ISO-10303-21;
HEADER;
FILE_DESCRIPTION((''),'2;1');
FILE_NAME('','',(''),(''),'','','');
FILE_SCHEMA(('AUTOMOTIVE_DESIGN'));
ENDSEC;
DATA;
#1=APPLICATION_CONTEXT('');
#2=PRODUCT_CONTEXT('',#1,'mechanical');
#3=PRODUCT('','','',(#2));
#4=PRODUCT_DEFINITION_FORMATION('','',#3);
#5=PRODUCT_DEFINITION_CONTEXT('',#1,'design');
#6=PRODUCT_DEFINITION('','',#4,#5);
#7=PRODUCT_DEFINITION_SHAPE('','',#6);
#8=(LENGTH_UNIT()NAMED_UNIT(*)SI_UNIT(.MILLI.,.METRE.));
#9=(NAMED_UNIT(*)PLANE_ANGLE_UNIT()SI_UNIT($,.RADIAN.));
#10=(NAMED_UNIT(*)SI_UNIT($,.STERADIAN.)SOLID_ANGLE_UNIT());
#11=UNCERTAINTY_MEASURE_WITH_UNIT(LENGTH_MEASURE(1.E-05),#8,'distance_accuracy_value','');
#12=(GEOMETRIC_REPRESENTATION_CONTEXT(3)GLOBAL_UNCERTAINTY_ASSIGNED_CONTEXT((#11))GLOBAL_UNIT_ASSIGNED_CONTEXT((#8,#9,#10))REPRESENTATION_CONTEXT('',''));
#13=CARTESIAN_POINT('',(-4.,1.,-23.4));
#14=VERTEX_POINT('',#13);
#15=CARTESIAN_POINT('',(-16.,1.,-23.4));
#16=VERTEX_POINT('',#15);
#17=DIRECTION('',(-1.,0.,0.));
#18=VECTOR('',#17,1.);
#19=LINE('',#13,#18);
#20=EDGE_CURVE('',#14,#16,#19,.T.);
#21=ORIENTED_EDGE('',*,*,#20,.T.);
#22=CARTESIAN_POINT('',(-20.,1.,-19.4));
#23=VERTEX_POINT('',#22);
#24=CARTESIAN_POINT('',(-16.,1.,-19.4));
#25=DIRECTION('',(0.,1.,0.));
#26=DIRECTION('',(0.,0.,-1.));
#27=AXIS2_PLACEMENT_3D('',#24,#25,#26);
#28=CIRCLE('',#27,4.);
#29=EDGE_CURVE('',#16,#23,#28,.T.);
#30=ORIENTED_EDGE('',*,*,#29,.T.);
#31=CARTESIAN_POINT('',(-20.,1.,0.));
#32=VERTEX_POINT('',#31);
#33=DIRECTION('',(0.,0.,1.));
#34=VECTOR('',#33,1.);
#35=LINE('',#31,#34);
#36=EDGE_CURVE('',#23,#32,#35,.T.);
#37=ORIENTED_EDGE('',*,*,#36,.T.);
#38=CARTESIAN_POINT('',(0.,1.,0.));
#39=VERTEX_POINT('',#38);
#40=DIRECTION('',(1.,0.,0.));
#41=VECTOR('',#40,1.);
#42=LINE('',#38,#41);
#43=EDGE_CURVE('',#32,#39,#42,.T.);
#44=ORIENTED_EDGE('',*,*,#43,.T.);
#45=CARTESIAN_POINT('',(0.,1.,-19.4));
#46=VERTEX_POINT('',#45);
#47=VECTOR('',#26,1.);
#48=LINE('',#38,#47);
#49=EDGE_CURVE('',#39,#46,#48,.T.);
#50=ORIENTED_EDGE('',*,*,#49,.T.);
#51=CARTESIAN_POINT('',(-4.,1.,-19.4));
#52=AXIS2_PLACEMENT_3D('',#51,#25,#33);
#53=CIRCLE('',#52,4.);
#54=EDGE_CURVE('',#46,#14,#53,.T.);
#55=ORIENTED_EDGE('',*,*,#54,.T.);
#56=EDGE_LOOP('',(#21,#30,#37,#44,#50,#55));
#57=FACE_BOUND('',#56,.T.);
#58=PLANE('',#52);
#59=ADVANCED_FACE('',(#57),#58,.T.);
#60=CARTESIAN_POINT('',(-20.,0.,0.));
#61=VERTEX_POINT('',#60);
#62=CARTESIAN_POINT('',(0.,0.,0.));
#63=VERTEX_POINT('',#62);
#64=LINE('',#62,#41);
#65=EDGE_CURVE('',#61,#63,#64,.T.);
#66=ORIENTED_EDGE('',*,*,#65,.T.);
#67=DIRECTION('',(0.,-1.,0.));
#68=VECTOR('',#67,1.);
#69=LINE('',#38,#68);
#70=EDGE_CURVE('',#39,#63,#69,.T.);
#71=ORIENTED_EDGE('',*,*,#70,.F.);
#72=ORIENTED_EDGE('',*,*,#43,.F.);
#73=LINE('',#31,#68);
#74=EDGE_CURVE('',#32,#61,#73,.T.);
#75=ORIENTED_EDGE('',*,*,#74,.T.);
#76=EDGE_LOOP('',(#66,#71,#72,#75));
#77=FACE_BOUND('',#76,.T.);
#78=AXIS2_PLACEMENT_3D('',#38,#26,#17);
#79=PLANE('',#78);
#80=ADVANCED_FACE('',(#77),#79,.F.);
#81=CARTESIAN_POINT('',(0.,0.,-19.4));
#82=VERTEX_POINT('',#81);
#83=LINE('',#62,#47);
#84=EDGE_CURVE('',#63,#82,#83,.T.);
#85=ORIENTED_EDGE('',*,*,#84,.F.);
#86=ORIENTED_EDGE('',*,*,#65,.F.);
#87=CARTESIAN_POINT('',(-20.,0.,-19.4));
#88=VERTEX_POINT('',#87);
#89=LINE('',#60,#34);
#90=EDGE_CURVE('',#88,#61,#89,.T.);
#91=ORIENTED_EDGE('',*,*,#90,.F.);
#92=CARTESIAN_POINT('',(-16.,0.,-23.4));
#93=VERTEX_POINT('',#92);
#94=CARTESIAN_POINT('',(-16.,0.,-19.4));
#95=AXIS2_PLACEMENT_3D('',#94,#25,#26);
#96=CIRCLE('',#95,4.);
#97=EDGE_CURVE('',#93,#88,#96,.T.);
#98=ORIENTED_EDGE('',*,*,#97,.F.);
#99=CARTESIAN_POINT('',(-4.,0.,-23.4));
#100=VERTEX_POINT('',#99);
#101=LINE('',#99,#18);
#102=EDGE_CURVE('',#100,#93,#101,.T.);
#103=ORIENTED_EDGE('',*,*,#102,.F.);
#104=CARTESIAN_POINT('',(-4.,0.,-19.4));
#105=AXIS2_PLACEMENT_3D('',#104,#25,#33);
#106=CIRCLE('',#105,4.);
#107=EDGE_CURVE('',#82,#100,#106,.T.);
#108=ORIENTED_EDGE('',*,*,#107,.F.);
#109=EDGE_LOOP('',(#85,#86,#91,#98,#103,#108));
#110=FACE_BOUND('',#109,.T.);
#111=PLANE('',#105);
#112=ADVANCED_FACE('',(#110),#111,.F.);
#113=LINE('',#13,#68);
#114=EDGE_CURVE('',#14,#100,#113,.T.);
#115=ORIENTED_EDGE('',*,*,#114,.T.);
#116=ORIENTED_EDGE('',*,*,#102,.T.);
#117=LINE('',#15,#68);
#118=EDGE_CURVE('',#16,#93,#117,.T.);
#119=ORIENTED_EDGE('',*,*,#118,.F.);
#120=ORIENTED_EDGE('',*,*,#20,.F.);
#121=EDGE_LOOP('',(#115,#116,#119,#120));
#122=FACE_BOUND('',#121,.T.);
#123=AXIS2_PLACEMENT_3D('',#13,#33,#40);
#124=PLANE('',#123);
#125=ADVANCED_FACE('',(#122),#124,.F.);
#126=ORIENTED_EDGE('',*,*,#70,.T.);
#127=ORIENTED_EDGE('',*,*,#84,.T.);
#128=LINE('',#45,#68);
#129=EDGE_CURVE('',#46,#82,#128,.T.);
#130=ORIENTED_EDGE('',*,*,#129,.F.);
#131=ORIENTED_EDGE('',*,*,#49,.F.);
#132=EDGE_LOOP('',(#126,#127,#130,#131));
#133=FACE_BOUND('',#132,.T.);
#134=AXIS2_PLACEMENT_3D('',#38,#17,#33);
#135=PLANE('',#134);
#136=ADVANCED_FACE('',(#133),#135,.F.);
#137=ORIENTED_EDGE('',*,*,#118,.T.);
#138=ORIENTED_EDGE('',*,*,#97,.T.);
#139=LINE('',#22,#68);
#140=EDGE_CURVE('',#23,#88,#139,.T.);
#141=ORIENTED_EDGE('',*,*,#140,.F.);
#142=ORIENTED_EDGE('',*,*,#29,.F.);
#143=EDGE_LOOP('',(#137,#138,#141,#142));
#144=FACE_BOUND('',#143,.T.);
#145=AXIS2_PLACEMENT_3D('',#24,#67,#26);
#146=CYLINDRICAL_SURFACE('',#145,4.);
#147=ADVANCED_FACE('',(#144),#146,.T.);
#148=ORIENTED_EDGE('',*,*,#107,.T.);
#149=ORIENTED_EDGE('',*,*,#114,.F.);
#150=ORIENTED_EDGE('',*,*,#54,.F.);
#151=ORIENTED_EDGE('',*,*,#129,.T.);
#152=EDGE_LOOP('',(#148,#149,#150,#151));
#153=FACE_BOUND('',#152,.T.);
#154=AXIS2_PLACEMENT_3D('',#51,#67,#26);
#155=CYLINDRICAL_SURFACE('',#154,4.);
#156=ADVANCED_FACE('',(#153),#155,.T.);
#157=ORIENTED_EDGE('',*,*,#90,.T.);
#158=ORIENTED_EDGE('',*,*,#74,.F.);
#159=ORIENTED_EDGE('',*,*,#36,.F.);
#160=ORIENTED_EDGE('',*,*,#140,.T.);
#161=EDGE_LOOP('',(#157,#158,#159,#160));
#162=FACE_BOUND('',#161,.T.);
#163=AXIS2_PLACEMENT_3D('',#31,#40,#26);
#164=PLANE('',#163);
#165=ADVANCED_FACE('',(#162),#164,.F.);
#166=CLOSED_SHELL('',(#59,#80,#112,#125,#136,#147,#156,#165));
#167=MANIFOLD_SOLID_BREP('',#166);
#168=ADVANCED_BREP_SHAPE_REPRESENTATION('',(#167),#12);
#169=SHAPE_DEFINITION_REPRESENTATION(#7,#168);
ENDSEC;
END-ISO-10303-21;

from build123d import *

# Parameters (mm, degrees)
BOSS_EXTRUDE1_DEPTH = 1


with BuildPart() as part:
    # Sketch1 → Boss-Extrude1 (new body)
    with BuildSketch(Plane(origin=(0, 0, 0), x_dir=(1, 0, 0), z_dir=(0, 1, 0))):
        with BuildLine():
            Line((0, 0), (-20, 0))
            Line((-20, 0), (-20, 19.4))
            ThreePointArc((-20, 19.4), (-18.828427125, 22.228427125), (-16, 23.4))
            Line((-16, 23.4), (-4, 23.4))
            ThreePointArc((-4, 23.4), (-1.171572875, 22.228427125), (0, 19.4))
            Line((0, 19.4), (0, 0))
        make_face()
    extrude(amount=BOSS_EXTRUDE1_DEPTH)


solid = part.part
